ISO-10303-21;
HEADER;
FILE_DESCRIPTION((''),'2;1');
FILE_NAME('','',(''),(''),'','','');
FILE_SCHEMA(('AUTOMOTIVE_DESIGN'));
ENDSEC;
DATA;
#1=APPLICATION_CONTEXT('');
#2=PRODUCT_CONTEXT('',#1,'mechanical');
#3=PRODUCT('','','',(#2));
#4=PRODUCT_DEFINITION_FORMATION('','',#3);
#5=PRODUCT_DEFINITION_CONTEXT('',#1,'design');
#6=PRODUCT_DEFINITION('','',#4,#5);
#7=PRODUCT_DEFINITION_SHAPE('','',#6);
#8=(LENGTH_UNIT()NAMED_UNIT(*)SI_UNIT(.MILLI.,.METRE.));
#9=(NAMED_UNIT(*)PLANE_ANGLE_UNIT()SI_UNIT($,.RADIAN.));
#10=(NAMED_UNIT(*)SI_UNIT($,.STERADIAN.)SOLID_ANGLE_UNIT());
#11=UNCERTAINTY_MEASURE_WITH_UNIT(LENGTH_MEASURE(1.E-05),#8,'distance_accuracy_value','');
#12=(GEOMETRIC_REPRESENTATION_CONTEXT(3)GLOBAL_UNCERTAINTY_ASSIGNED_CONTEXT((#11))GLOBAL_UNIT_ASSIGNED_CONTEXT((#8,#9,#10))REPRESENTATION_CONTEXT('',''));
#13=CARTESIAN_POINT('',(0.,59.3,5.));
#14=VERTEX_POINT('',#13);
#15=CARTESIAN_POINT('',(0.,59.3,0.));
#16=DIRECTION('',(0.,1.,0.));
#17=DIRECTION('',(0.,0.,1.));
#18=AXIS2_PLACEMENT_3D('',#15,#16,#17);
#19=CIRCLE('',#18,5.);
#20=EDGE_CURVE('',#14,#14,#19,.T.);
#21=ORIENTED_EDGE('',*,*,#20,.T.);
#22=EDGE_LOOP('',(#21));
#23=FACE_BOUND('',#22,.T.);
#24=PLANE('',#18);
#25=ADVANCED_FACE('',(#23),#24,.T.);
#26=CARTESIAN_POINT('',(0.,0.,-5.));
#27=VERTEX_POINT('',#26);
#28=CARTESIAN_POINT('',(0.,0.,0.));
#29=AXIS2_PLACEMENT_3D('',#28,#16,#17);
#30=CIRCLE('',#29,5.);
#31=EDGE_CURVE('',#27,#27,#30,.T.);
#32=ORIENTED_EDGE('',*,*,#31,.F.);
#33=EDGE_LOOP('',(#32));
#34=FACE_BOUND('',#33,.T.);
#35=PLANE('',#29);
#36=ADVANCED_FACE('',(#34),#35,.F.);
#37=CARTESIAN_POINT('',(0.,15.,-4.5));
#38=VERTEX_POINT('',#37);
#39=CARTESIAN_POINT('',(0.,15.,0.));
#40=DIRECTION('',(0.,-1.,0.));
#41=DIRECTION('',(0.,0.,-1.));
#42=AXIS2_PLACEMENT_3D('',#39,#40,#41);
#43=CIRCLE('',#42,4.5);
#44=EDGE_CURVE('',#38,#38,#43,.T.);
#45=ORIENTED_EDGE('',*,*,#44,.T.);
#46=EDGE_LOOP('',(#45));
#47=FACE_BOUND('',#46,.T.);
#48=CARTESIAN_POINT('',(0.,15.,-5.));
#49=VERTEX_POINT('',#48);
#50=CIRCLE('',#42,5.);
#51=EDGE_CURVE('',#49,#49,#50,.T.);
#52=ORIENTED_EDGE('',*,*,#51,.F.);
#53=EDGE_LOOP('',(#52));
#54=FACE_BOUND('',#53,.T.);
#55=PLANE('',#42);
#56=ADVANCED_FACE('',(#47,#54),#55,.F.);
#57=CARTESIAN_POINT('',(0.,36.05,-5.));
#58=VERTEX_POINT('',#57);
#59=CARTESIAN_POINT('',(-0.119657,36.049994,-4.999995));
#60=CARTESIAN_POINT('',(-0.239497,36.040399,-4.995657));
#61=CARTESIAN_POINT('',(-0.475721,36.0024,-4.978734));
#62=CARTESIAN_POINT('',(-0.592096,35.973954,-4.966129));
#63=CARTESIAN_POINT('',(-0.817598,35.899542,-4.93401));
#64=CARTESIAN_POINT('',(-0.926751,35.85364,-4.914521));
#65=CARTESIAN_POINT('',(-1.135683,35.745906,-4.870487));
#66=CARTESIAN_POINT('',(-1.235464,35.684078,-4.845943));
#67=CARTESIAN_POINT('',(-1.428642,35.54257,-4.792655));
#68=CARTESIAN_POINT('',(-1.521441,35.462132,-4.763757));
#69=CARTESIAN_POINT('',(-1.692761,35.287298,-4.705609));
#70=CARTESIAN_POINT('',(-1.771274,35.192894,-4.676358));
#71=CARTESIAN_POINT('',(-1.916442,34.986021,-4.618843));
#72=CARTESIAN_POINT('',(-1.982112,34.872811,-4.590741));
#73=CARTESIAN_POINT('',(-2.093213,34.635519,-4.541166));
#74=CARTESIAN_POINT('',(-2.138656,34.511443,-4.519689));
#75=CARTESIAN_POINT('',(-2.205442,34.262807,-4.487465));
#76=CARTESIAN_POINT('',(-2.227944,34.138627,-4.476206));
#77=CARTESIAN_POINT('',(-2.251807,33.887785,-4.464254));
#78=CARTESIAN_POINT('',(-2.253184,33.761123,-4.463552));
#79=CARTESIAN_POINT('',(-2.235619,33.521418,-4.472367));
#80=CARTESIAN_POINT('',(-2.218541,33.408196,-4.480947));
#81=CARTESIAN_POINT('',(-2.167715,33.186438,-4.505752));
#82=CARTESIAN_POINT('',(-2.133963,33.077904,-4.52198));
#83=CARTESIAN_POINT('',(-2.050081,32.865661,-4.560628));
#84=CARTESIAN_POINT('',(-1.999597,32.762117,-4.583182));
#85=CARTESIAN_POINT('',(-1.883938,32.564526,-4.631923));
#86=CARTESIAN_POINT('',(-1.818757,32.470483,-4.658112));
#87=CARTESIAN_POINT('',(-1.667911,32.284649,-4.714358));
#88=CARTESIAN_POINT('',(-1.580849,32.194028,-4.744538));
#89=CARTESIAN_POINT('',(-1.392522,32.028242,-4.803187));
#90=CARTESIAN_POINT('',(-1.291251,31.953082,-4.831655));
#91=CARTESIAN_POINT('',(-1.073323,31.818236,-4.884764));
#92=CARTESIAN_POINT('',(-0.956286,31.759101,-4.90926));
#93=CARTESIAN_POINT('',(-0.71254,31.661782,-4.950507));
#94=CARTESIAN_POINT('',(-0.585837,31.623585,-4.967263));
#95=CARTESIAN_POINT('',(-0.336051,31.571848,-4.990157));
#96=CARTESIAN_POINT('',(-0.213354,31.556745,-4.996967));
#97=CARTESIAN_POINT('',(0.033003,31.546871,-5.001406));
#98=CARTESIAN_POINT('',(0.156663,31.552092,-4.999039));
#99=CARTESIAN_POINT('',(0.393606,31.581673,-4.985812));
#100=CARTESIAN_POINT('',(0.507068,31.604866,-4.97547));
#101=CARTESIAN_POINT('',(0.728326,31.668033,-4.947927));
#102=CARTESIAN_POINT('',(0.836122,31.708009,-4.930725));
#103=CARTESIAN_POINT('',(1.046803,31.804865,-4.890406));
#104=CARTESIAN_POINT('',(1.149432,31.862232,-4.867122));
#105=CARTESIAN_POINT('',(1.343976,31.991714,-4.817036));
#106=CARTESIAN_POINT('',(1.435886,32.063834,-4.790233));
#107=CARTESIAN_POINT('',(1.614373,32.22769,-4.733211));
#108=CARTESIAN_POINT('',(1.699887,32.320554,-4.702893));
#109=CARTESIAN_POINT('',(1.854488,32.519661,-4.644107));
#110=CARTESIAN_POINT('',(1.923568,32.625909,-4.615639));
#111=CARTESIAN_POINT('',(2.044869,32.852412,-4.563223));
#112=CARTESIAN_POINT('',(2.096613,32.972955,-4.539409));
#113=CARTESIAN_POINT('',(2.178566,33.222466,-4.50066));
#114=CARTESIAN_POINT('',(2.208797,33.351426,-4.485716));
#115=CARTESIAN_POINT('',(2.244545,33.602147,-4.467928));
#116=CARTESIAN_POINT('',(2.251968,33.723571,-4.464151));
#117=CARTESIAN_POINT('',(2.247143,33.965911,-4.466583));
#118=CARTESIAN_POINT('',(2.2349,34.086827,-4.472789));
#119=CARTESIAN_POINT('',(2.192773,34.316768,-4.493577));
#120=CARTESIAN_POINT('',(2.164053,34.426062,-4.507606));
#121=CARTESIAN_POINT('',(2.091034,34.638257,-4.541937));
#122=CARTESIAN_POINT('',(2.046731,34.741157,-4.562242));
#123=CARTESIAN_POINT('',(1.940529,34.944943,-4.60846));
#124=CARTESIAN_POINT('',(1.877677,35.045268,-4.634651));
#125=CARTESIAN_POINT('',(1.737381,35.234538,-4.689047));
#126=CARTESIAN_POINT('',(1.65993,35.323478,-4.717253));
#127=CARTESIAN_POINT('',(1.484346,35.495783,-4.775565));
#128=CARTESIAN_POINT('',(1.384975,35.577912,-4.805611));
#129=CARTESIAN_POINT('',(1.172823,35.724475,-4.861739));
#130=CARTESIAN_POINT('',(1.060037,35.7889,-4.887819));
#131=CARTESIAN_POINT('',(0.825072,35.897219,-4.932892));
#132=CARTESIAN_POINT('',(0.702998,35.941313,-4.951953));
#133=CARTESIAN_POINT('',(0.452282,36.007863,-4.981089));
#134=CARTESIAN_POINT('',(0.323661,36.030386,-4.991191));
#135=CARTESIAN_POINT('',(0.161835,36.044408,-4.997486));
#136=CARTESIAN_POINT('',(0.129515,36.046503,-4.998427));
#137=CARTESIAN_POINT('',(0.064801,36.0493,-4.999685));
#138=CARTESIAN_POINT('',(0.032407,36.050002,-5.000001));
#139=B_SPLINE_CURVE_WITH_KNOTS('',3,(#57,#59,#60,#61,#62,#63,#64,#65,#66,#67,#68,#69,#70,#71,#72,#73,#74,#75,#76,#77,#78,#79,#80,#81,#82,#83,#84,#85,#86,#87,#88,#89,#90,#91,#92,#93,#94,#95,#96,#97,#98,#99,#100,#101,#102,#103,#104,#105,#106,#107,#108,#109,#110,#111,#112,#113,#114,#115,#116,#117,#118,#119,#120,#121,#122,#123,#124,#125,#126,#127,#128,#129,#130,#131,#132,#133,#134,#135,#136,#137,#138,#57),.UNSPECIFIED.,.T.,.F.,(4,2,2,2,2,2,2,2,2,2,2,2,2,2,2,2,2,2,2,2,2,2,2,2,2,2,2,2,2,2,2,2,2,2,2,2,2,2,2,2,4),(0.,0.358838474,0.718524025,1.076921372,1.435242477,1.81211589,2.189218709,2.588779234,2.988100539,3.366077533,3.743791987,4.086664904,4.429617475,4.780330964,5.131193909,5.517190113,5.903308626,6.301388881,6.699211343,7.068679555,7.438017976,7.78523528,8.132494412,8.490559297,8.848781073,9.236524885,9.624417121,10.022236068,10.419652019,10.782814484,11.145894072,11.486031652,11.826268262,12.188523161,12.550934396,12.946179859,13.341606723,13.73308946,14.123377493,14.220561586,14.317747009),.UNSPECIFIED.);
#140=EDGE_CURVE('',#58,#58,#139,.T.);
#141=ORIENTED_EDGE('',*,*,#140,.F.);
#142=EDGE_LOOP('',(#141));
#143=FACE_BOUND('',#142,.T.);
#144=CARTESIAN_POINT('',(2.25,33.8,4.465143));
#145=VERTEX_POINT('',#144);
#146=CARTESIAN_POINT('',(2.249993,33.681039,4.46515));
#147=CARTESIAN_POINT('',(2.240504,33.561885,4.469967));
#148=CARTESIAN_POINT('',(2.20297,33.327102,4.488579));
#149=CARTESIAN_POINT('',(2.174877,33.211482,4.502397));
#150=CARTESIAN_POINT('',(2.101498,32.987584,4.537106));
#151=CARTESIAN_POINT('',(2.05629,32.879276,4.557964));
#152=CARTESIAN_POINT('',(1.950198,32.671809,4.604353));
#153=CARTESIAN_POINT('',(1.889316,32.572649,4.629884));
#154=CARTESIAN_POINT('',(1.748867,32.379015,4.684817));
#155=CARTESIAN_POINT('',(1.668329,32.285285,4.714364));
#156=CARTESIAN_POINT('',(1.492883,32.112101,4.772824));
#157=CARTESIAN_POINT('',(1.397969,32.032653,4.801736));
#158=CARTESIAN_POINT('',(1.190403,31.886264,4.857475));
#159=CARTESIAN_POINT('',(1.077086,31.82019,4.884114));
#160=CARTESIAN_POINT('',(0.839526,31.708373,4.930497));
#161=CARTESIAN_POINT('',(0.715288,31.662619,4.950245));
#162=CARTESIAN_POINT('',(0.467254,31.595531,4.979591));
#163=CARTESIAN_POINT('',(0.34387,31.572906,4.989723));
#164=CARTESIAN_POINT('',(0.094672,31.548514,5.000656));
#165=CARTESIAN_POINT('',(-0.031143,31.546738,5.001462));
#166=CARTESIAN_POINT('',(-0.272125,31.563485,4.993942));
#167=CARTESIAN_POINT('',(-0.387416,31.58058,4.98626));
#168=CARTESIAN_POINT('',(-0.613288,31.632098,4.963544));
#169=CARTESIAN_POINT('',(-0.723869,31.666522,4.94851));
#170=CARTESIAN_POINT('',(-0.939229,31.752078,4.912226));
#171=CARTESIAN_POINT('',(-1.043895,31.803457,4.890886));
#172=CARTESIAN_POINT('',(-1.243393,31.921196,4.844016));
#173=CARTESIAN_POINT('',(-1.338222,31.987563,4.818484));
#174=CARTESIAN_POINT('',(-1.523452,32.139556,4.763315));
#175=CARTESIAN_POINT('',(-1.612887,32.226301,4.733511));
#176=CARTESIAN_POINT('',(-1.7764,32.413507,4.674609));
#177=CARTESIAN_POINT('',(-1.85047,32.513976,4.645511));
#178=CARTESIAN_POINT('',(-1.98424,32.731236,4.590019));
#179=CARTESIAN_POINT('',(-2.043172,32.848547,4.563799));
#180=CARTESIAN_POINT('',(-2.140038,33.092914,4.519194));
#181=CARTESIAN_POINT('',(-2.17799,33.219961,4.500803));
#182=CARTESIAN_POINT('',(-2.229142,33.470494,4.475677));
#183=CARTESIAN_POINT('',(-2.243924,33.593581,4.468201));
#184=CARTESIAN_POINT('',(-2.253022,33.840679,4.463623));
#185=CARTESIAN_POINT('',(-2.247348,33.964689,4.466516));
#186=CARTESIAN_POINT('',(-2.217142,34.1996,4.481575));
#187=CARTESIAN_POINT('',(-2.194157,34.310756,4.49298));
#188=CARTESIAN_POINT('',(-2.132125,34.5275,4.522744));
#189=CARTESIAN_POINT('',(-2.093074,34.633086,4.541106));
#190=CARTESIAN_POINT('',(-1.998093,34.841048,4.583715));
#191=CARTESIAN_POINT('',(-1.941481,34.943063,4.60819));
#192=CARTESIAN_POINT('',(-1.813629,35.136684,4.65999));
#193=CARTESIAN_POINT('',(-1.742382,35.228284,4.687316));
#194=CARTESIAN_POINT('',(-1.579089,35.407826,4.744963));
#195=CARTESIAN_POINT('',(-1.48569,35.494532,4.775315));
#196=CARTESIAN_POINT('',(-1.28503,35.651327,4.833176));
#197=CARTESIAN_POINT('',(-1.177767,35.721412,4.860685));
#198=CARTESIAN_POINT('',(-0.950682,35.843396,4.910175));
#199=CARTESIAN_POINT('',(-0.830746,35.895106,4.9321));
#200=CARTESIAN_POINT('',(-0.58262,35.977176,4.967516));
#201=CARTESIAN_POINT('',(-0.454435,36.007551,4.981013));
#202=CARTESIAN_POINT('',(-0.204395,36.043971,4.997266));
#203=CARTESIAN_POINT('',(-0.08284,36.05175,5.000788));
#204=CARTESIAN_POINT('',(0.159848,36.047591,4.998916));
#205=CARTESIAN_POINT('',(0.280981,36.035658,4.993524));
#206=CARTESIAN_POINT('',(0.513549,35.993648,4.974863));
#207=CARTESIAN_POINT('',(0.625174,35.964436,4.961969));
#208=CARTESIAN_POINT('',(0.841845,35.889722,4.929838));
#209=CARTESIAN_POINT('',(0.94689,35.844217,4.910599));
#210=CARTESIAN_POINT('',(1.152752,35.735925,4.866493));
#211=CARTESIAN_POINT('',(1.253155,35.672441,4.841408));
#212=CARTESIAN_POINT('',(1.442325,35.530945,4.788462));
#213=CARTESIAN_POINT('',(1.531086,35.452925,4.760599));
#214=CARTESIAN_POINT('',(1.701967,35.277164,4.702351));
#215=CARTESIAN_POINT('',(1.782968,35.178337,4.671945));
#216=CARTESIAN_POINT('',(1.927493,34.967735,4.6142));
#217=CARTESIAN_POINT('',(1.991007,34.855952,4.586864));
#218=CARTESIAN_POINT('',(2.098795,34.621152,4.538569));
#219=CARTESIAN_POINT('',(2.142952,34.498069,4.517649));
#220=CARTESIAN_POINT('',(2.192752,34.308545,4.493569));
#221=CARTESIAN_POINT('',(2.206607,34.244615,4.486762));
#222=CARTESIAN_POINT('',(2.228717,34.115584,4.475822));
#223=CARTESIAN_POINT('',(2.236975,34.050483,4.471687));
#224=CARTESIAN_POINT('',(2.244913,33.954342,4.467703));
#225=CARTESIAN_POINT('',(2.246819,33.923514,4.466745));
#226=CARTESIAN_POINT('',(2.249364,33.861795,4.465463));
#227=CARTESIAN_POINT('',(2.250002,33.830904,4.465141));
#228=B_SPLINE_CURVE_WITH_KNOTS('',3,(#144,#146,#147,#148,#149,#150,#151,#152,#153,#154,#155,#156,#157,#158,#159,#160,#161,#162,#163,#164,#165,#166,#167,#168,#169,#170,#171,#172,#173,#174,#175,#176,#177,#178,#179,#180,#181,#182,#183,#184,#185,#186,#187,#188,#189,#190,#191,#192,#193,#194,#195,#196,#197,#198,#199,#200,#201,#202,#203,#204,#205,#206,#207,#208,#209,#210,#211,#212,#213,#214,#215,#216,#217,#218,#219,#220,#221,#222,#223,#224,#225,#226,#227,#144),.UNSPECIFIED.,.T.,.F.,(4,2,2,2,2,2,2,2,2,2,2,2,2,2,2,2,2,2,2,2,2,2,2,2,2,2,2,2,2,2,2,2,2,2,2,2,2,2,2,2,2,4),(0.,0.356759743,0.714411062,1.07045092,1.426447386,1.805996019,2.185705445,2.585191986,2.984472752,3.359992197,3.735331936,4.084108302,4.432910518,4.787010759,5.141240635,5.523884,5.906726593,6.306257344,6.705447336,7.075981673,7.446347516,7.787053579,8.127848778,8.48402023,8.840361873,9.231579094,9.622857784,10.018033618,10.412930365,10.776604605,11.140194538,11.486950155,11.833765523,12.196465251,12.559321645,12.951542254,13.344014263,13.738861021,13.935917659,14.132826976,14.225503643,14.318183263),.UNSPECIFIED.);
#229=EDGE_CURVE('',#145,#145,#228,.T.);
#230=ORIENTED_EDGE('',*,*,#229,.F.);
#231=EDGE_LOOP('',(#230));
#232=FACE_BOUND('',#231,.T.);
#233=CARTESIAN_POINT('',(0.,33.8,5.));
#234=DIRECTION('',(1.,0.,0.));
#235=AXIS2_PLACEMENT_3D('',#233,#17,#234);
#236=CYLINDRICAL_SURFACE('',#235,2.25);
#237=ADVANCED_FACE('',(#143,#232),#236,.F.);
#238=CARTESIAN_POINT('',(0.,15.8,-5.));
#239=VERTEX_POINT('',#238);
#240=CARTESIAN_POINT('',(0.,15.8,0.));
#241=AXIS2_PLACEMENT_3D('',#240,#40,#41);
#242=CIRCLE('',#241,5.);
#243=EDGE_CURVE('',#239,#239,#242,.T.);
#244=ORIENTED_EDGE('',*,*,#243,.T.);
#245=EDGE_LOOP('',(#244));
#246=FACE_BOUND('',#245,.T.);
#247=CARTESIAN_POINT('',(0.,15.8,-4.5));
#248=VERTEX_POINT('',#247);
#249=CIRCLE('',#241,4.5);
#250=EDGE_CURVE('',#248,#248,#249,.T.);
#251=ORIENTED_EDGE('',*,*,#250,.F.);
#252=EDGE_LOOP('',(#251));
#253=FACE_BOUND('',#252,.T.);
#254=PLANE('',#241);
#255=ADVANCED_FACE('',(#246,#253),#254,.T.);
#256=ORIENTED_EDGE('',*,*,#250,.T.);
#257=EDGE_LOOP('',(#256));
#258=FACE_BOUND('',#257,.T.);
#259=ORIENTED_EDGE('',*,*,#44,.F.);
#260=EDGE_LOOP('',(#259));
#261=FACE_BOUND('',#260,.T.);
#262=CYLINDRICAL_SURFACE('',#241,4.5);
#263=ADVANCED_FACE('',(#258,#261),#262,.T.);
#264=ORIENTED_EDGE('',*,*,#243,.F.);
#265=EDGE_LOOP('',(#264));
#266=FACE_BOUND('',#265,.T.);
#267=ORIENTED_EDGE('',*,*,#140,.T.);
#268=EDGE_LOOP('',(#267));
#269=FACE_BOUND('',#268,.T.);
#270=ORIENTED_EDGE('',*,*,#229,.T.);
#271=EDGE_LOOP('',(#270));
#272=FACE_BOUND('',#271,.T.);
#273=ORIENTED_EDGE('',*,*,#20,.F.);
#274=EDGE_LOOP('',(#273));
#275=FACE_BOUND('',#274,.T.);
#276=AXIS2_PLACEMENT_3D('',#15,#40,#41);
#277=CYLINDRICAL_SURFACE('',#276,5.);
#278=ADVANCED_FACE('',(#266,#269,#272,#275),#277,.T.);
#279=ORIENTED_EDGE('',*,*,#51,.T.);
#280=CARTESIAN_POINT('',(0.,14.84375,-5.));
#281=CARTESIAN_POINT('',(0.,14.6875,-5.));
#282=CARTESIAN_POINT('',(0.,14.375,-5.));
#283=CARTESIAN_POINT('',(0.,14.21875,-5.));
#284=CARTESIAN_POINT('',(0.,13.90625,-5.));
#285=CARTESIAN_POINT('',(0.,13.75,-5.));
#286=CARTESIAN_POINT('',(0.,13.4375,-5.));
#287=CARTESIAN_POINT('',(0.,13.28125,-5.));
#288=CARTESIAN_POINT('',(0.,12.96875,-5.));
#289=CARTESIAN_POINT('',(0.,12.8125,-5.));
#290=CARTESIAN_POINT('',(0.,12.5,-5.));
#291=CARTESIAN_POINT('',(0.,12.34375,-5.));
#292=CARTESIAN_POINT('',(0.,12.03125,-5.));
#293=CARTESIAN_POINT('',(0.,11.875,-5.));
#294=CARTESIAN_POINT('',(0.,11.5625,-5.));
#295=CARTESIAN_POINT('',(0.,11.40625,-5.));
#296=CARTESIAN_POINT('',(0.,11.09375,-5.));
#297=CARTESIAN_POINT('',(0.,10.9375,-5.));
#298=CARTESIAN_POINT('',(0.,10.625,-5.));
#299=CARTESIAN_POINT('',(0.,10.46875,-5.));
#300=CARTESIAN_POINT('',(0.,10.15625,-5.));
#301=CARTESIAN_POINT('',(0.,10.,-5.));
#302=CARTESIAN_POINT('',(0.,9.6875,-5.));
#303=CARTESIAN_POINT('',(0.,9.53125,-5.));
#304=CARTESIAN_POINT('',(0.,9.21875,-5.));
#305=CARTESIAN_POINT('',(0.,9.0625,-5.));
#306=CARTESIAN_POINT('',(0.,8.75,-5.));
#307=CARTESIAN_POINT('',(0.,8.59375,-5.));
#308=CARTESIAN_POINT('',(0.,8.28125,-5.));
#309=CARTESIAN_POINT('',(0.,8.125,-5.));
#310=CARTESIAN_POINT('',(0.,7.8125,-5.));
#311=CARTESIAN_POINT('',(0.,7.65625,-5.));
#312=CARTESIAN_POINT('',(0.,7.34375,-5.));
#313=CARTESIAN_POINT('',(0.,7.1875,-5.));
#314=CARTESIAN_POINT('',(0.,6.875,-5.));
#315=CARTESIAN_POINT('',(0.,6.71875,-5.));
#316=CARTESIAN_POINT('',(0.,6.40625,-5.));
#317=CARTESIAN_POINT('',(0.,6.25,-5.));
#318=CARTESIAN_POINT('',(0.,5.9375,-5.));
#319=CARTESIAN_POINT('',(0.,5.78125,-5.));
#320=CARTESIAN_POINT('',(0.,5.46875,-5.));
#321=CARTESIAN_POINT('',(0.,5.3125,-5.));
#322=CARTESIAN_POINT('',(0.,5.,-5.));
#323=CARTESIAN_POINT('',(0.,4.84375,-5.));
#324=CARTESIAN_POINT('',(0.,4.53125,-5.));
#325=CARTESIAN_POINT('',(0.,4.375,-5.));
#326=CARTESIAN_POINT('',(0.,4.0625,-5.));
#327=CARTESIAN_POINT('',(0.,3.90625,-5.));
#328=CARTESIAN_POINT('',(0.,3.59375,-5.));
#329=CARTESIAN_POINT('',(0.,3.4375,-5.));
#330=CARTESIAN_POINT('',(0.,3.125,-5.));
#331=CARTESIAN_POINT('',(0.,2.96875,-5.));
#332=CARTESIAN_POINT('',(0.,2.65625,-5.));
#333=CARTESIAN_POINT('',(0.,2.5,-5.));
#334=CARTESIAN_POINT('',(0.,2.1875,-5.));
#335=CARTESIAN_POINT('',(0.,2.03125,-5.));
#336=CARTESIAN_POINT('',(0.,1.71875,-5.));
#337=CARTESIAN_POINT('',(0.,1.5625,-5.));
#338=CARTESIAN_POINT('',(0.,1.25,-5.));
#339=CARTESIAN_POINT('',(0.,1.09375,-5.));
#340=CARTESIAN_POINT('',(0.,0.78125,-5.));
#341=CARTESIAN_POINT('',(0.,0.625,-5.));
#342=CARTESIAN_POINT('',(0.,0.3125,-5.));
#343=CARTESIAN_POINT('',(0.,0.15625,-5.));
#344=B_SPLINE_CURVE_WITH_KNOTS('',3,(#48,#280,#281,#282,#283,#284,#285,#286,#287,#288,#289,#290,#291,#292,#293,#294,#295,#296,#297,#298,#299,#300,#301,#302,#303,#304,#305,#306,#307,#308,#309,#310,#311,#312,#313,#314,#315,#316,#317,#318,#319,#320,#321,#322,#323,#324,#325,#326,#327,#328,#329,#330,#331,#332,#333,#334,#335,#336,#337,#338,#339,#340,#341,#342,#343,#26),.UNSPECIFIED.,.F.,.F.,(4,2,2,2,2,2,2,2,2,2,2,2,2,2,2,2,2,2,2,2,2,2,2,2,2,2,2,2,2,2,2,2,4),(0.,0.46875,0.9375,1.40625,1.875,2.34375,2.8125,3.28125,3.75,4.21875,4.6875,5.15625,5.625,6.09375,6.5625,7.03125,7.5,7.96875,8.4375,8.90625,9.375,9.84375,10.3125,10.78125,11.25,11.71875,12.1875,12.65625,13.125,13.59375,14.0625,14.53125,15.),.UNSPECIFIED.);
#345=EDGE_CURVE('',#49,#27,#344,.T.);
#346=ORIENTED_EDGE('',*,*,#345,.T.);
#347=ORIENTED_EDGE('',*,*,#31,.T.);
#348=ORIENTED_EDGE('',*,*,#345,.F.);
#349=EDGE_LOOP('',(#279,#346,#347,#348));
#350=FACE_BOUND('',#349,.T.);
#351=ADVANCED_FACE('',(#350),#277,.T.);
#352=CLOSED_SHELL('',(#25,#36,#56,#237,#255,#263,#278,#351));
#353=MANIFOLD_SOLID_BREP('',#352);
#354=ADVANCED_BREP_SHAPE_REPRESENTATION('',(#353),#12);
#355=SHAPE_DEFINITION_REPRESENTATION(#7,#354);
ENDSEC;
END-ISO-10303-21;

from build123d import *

# Parameters (mm, degrees)
SKETCH1_R            = 5
BOSS_EXTRUDE1_DEPTH  = 59.3
CUT_EXTRUDE1_START   = -15
SKETCH2_R            = 5
SKETCH2_R_2          = 4.5
CUT_EXTRUDE1_DEPTH   = 0.8
M4_CLEARANCE_HOLE1_D = 4.5


with BuildPart() as part:
    # Sketch1 → Boss-Extrude1 (new body)
    with BuildSketch(Plane(origin=(0, 0, 0), x_dir=(1, 0, 0), z_dir=(0, 1, 0))):
        with Locations(Location((0, 0, 0), (0, 0, 90))):
            Circle(SKETCH1_R)
    extrude(amount=BOSS_EXTRUDE1_DEPTH)

    # Sketch2 → Cut-Extrude1 (cut)
    with BuildSketch(Plane.XZ.offset(CUT_EXTRUDE1_START)):
        with Locations(Location((0, 0, 0), (0, 0, 270))):
            Circle(SKETCH2_R)
        with Locations(Location((0, 0, 0), (0, 0, 270))):
            Circle(SKETCH2_R_2, mode=Mode.SUBTRACT)
    extrude(amount=-CUT_EXTRUDE1_DEPTH, mode=Mode.SUBTRACT)

    # M4 Clearance Hole1 (through all)
    with Locations(Plane.XY.offset(5)):
        with Locations((0, 33.8)):
            Hole(M4_CLEARANCE_HOLE1_D / 2)


solid = part.part
